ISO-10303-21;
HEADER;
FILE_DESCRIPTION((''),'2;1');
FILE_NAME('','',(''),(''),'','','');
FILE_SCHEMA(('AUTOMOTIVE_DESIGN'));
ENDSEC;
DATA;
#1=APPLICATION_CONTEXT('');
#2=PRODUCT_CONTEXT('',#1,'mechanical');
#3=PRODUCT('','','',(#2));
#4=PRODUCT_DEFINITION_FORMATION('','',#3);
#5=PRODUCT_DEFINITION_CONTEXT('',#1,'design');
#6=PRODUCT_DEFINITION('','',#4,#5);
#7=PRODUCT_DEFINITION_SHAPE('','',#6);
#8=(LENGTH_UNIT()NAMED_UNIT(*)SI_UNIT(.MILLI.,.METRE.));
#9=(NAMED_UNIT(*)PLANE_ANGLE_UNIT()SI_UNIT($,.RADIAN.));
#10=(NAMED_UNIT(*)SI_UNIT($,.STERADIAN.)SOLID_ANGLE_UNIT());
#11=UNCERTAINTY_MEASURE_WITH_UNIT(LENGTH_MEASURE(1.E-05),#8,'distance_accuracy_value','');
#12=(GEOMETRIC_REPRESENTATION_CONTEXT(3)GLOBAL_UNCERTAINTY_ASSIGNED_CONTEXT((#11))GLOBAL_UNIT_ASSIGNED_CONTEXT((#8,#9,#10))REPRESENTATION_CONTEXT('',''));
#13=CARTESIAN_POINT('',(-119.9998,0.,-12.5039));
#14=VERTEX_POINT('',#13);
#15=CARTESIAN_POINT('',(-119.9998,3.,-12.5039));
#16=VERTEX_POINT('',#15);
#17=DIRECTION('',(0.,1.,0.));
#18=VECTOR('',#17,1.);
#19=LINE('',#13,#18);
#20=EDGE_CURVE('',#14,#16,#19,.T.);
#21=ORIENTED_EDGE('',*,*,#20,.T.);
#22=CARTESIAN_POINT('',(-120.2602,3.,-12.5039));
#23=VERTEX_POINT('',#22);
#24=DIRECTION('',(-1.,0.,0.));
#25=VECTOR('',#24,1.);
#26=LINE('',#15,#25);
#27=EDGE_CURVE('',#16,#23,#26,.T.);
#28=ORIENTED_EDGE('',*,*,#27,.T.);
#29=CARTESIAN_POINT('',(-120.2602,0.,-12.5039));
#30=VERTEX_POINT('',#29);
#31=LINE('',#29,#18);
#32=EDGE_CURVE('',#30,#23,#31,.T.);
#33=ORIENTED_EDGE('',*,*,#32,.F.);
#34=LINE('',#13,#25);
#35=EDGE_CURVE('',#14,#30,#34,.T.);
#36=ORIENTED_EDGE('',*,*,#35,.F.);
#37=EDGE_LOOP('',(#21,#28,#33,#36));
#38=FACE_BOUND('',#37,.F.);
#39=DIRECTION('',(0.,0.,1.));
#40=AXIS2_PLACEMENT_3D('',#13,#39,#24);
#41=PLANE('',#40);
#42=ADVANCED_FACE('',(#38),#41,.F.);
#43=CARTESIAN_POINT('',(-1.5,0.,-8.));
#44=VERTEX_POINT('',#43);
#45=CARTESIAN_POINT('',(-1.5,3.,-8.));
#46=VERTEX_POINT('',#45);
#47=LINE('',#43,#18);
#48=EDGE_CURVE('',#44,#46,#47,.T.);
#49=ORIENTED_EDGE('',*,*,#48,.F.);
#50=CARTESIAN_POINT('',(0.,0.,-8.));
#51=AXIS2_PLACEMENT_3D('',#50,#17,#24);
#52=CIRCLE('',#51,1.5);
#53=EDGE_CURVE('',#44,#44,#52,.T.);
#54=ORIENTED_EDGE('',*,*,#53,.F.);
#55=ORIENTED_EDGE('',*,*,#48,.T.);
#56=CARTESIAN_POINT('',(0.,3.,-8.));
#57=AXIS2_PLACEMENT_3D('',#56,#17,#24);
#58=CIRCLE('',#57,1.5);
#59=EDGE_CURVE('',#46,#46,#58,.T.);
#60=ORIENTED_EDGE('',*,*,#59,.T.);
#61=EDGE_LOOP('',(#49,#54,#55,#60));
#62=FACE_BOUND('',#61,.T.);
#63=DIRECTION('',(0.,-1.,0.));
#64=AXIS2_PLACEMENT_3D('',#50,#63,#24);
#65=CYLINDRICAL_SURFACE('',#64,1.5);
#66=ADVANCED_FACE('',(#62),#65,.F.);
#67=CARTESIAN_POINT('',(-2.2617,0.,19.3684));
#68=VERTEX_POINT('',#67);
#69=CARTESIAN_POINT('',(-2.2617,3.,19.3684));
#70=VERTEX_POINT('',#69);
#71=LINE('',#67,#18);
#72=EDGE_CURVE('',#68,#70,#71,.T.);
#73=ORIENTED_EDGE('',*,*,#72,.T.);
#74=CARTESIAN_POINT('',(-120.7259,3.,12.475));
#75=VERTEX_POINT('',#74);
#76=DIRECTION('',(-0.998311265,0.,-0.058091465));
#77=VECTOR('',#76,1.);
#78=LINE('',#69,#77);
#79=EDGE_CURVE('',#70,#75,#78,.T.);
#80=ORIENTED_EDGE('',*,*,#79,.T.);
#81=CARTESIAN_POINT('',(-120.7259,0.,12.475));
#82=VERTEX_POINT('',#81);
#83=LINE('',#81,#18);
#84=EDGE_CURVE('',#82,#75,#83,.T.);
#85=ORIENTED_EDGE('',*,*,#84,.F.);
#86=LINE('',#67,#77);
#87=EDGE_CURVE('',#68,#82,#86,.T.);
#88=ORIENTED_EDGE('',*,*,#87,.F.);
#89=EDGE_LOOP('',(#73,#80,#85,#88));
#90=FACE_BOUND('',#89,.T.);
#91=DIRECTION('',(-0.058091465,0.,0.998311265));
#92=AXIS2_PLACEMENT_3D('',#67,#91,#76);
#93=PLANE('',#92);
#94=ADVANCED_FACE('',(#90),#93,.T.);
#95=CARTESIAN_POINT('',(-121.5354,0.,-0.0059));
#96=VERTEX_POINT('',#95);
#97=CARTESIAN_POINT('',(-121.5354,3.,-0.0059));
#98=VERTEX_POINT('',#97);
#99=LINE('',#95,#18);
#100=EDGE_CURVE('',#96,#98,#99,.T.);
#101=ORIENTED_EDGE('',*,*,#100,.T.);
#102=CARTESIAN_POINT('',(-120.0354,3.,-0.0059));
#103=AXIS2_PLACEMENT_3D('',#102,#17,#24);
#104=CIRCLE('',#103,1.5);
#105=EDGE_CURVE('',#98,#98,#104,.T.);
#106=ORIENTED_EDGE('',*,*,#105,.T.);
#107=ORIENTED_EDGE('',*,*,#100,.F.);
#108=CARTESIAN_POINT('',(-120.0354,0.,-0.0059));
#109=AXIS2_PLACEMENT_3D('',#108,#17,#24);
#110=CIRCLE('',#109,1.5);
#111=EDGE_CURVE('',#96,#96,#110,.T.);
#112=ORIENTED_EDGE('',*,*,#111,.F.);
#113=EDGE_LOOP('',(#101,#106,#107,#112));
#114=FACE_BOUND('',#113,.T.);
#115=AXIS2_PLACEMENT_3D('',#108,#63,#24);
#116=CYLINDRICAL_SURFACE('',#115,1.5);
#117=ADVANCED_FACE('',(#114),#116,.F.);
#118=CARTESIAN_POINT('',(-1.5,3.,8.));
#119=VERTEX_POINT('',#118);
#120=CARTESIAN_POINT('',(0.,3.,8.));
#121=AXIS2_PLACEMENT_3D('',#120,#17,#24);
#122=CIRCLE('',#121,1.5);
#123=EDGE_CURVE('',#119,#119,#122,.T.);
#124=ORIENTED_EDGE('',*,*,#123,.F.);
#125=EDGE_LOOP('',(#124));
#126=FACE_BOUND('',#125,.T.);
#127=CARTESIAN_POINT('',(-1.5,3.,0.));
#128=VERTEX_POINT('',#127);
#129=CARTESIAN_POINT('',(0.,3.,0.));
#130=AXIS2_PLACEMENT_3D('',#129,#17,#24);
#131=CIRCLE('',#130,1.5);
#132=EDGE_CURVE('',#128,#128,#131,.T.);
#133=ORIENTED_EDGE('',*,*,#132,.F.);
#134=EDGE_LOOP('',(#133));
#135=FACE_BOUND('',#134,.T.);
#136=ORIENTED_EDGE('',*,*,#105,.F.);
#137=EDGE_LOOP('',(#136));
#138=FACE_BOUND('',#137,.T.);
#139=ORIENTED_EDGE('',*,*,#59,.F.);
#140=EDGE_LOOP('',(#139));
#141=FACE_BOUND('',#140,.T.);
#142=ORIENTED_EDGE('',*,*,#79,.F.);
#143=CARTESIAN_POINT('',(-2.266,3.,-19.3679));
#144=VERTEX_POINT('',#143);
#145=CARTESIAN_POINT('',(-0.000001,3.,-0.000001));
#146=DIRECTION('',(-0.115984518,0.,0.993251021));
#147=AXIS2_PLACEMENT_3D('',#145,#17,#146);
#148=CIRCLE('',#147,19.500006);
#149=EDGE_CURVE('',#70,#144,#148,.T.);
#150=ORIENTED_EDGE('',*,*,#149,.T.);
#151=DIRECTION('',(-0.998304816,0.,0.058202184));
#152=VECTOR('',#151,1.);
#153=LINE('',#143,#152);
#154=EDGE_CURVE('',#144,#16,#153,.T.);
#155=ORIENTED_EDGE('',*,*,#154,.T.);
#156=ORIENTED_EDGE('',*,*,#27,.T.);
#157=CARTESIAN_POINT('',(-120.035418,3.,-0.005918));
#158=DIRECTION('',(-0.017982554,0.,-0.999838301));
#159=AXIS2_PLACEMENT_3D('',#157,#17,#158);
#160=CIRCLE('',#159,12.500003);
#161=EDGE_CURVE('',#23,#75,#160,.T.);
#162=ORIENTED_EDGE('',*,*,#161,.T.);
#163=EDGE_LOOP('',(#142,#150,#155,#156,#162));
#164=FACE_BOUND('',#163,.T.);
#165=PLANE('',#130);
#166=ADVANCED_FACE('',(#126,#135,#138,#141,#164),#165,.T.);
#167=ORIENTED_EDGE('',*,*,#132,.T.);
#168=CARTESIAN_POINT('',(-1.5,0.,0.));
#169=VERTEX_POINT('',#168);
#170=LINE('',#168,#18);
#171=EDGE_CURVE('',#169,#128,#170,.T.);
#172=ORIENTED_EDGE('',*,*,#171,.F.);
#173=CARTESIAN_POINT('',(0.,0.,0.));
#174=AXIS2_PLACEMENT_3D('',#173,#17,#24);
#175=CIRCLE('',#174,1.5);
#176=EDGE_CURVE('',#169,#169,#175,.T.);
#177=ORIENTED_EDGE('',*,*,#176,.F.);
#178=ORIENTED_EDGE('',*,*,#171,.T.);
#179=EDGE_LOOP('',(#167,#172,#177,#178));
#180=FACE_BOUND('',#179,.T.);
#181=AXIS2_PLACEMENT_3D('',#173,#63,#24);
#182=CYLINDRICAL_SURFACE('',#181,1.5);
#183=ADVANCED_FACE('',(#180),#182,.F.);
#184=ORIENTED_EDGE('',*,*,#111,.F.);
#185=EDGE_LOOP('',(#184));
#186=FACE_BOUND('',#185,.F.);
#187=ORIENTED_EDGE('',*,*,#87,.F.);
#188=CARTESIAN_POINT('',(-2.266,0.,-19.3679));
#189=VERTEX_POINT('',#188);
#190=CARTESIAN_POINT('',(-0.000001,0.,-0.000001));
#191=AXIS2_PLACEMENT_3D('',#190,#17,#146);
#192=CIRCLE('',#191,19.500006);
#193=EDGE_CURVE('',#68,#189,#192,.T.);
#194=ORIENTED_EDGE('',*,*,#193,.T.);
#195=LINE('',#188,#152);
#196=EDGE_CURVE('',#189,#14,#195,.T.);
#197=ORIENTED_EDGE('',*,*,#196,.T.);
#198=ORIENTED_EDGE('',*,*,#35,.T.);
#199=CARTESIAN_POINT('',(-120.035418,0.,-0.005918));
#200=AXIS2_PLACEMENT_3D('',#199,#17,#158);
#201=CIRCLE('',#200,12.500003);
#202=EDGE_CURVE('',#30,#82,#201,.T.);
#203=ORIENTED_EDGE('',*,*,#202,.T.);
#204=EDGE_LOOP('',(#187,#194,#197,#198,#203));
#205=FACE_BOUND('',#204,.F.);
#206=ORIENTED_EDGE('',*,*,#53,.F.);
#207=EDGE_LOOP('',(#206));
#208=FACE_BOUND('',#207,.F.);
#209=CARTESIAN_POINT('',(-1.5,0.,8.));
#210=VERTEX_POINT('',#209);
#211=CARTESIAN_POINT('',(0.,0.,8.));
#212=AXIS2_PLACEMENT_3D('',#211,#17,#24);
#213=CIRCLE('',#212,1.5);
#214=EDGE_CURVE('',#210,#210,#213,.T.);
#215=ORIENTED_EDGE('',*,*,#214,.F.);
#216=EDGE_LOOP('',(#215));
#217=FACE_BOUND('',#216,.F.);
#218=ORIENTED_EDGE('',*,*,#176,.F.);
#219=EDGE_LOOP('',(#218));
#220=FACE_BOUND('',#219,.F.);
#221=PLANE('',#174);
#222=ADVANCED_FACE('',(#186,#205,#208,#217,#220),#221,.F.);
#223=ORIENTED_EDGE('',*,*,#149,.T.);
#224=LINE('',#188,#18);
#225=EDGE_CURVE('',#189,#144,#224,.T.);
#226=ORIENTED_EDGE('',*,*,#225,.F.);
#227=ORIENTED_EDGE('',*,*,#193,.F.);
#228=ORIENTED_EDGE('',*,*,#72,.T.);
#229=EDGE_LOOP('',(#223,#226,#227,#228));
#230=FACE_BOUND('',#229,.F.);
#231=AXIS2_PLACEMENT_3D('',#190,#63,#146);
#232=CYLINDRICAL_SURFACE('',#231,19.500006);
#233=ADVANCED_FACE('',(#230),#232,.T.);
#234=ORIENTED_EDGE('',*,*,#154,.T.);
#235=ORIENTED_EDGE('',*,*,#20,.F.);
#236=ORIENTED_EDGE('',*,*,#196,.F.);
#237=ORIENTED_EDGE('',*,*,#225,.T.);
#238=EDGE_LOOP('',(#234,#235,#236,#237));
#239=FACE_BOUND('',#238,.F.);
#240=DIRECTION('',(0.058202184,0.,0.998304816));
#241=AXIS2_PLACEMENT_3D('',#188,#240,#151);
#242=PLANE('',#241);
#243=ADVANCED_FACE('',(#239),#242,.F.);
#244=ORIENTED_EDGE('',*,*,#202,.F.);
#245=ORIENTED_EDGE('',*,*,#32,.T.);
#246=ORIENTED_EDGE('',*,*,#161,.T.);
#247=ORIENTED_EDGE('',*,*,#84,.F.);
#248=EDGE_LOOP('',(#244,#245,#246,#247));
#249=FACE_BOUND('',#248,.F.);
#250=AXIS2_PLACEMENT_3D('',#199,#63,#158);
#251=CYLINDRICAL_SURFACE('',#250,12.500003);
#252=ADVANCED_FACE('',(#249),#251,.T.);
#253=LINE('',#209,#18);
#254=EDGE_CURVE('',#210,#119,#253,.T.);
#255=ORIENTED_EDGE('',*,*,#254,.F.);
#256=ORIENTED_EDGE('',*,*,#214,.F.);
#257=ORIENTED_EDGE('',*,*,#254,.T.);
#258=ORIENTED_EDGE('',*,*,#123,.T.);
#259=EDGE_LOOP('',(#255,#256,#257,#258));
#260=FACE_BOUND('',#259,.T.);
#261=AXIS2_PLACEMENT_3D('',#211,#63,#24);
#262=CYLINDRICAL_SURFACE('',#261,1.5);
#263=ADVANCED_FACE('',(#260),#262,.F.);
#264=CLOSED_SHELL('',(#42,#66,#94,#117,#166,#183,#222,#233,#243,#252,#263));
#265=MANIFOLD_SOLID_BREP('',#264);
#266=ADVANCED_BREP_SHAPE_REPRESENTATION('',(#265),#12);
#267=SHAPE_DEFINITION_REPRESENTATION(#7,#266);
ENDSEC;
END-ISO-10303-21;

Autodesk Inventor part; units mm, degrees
ref_plane "YZ Plane" through (0, 0, 0) normal (1, 0, 0) x (0, 1, 0)
ref_plane "XZ Plane" through (0, 0, 0) normal (0, 1, 0) x (-1, 0, 0)
ref_plane "XY Plane" through (0, 0, 0) normal (0, 0, 1) x (1, 0, 0)
sketch "Boceto1" plane through (0, 0, 0) normal (0, 1, 0) x (-1, 0, 0)
  arc A0 (120.2602, -12.5039) -> (120.7259, 12.475) centre (120.0354, -0.0059) ccw
  line L0 (2.2617, 19.3684) -> (120.7259, 12.475)
  line L1 (2.266, -19.3679) -> (119.9998, -12.5039)
  arc A1 (2.2617, 19.3684) -> (2.266, -19.3679) centre (0, 0) ccw
  circle A2 centre (120.0354, -0.0059) radius 1.5
  circle A3 centre (0, 0) radius 1.5
  circle A4 centre (0, -8) radius 1.5
  circle A5 centre (0, 8) radius 1.5
  line L2 (119.9998, -12.5039) -> (120.2602, -12.5039)
  dimension "d107" = 3
extrude "Extrusión1" add sketch "Boceto1" along normal blind 3
properties part number "planos robot"
